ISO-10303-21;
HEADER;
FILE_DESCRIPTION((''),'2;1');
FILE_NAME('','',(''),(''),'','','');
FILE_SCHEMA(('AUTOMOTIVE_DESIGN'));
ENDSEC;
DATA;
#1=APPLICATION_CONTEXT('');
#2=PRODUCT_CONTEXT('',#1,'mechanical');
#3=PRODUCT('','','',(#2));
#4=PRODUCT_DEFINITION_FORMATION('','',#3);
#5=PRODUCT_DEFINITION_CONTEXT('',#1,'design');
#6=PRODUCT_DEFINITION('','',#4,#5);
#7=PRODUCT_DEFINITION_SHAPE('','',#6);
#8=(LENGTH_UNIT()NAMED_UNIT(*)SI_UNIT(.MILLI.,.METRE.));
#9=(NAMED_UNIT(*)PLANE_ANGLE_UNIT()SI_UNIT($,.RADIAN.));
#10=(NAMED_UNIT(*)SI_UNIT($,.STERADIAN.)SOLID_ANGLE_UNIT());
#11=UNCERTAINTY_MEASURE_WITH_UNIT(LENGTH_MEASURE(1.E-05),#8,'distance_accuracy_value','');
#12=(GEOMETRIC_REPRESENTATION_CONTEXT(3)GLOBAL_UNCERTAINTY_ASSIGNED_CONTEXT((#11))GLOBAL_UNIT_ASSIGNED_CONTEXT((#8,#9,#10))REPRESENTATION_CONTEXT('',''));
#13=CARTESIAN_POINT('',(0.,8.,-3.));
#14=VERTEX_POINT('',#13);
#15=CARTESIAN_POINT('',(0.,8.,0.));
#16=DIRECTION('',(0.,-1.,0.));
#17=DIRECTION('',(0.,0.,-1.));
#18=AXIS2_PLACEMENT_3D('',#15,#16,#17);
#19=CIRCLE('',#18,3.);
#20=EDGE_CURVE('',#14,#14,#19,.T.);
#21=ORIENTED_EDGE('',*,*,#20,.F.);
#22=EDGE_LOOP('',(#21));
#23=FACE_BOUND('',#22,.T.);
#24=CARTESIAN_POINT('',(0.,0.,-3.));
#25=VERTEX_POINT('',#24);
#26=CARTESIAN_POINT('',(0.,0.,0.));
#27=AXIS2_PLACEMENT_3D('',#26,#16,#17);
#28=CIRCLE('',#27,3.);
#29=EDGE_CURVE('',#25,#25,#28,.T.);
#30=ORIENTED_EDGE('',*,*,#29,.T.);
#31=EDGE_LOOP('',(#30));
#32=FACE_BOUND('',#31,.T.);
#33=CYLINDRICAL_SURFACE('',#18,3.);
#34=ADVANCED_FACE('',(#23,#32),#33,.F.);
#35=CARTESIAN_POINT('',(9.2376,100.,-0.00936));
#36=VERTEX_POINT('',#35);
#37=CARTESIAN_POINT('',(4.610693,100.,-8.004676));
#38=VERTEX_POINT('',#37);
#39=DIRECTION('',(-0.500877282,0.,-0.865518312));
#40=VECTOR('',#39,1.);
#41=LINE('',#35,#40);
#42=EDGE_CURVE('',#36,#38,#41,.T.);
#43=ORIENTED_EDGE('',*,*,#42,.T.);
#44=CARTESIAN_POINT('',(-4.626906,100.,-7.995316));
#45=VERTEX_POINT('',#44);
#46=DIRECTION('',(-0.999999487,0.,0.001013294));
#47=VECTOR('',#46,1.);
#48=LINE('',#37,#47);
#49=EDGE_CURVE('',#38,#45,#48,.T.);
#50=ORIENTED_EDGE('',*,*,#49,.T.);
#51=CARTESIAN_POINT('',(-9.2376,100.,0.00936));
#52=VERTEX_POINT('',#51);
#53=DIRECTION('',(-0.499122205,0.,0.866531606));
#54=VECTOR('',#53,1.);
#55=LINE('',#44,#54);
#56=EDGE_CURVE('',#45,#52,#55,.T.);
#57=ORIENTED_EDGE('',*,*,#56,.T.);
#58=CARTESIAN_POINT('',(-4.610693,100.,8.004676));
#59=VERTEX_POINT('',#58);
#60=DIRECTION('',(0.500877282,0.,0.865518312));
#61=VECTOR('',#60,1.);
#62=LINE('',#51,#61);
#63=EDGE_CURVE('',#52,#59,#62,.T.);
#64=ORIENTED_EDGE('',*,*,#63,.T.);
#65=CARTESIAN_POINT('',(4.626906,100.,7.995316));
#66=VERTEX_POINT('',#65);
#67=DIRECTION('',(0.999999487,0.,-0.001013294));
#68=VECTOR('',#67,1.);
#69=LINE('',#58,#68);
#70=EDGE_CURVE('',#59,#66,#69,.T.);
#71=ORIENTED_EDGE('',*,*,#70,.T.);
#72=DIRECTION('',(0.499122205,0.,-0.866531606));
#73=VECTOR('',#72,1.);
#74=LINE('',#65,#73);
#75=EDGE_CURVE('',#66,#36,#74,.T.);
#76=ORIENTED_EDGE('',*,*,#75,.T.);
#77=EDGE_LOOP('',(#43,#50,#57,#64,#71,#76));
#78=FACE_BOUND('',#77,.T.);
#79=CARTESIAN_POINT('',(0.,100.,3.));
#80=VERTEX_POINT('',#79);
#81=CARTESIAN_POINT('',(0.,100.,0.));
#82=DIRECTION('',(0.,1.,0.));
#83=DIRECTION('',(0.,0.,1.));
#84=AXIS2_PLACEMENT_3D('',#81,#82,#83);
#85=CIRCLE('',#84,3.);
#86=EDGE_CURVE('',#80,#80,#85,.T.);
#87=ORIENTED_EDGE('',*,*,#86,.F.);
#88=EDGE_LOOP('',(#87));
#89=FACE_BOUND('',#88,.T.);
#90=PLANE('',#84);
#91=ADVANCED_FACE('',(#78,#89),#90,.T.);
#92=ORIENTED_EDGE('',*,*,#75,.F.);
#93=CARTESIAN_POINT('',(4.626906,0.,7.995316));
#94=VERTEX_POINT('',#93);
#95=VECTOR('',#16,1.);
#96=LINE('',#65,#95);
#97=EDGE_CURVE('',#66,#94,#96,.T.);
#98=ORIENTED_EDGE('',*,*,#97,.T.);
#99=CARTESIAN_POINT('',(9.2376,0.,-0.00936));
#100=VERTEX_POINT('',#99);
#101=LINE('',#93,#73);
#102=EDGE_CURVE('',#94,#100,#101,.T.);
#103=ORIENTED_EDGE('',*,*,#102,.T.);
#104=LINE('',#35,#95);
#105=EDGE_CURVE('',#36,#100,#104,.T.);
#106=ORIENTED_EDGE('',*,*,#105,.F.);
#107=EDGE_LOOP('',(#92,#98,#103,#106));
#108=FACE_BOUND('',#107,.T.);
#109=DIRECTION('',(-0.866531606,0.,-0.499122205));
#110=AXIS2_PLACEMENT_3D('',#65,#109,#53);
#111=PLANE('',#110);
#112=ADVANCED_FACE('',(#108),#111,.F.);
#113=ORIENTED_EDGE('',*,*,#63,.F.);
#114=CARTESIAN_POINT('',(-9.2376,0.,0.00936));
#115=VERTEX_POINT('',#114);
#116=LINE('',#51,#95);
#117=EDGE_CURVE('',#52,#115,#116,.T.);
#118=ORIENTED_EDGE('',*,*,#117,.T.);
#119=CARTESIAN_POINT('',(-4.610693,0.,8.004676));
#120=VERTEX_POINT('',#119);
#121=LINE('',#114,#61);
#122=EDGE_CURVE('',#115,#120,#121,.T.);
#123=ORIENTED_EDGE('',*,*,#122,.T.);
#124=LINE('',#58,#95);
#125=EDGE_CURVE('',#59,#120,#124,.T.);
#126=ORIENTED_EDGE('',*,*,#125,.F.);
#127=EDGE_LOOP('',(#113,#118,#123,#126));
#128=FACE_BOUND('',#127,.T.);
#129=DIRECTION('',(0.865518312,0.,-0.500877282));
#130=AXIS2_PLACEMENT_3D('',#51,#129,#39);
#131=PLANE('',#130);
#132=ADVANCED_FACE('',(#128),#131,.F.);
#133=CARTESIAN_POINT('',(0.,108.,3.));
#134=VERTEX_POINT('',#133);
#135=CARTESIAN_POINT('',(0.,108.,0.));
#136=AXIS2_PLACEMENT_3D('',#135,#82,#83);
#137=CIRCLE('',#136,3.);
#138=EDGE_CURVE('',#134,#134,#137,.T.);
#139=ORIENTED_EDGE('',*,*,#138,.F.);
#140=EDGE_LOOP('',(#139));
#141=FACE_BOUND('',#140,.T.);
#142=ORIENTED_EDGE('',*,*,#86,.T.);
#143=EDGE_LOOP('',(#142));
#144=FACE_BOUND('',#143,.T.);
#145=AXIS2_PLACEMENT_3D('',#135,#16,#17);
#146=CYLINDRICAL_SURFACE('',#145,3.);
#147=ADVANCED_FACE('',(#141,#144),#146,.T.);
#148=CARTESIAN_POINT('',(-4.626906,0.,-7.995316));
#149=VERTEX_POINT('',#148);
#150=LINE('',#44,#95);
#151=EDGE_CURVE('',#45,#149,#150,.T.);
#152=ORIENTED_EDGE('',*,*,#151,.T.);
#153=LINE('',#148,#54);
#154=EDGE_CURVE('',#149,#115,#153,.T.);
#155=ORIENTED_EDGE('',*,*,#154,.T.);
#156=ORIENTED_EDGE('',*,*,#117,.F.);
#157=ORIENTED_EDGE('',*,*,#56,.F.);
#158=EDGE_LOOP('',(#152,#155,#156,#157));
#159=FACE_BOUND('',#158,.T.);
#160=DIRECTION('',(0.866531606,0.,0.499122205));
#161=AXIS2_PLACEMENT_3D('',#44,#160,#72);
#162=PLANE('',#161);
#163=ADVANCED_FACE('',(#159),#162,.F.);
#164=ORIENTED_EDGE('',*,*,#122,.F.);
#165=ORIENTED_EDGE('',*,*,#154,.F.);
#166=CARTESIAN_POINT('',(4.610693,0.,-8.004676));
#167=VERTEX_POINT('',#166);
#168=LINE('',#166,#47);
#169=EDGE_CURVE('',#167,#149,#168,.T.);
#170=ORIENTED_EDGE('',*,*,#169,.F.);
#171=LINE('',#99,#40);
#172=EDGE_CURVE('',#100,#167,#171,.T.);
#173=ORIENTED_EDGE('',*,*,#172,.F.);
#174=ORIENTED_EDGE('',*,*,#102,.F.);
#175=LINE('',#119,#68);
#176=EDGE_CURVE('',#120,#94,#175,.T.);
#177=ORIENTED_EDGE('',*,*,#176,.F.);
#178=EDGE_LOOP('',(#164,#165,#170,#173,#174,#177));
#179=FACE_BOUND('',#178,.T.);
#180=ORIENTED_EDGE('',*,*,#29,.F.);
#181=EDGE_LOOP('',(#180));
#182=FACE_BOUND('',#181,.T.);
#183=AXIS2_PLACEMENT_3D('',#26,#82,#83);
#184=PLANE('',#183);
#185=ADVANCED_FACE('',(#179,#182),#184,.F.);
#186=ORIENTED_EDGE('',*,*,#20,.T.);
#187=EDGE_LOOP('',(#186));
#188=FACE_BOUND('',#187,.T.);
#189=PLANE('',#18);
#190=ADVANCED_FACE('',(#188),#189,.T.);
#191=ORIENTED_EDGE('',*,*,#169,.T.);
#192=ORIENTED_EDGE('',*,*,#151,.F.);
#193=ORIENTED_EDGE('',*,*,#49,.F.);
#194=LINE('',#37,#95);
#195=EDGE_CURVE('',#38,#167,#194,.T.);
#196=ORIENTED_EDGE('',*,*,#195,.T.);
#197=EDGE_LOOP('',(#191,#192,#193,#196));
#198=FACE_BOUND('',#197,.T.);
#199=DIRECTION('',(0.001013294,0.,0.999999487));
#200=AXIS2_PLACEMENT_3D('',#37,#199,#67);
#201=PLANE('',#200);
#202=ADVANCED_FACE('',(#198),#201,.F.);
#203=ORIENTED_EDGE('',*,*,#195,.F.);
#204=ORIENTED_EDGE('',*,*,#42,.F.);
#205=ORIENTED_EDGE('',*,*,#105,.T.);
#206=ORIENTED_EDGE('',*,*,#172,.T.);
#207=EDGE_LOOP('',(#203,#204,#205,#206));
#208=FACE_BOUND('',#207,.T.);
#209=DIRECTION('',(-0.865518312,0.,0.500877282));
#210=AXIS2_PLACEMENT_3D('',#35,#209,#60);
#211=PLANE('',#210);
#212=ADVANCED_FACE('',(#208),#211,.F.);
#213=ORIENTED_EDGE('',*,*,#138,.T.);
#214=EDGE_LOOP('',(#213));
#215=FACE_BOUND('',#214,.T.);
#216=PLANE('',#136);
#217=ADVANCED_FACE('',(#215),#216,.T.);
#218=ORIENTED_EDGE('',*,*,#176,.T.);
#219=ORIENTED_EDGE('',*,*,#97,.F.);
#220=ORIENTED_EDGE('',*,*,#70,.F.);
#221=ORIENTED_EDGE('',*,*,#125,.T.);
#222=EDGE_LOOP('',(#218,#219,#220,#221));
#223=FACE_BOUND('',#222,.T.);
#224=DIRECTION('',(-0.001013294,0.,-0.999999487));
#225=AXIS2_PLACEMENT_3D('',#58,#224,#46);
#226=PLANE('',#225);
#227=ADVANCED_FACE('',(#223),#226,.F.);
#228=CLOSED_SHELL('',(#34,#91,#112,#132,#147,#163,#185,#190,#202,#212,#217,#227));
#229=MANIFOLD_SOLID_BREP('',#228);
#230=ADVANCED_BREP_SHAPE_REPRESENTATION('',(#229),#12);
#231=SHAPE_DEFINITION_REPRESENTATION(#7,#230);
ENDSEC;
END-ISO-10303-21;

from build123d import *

# Parameters (mm, degrees)
EXTRUDE_1_DEPTH     = 100
SKETCH_2_R          = 3
EXTRUDE_2_DEPTH     = 8
SKETCH_3_R          = 3
CUT_EXTRUDE_1_DEPTH = 8


with BuildPart() as part:
    # 草图1 → 凸台-拉伸1 (new body)
    with BuildSketch(Plane(origin=(0, 0, 0), x_dir=(1, 0, 0), z_dir=(0, 1, 0))):
        Polygon((4.610693432, 8.004676097), (-4.626906133, 7.995315689), (-9.237599565, -0.009360407), (-4.610693432, -8.004676097), (4.626906133, -7.995315689), (9.237599565, 0.009360407), align=None)
    extrude(amount=EXTRUDE_1_DEPTH)

    # 草图2 → 凸台-拉伸2 (add)
    with BuildSketch(Plane(origin=(0, 100, 0), x_dir=(1, 0, 0), z_dir=(0, 1, 0))):
        Circle(SKETCH_2_R)
    extrude(amount=EXTRUDE_2_DEPTH)

    # 草图3 → 切除-拉伸1 (cut)
    with BuildSketch(Plane.XZ):
        Circle(SKETCH_3_R)
    extrude(amount=-CUT_EXTRUDE_1_DEPTH, mode=Mode.SUBTRACT)


solid = part.part
